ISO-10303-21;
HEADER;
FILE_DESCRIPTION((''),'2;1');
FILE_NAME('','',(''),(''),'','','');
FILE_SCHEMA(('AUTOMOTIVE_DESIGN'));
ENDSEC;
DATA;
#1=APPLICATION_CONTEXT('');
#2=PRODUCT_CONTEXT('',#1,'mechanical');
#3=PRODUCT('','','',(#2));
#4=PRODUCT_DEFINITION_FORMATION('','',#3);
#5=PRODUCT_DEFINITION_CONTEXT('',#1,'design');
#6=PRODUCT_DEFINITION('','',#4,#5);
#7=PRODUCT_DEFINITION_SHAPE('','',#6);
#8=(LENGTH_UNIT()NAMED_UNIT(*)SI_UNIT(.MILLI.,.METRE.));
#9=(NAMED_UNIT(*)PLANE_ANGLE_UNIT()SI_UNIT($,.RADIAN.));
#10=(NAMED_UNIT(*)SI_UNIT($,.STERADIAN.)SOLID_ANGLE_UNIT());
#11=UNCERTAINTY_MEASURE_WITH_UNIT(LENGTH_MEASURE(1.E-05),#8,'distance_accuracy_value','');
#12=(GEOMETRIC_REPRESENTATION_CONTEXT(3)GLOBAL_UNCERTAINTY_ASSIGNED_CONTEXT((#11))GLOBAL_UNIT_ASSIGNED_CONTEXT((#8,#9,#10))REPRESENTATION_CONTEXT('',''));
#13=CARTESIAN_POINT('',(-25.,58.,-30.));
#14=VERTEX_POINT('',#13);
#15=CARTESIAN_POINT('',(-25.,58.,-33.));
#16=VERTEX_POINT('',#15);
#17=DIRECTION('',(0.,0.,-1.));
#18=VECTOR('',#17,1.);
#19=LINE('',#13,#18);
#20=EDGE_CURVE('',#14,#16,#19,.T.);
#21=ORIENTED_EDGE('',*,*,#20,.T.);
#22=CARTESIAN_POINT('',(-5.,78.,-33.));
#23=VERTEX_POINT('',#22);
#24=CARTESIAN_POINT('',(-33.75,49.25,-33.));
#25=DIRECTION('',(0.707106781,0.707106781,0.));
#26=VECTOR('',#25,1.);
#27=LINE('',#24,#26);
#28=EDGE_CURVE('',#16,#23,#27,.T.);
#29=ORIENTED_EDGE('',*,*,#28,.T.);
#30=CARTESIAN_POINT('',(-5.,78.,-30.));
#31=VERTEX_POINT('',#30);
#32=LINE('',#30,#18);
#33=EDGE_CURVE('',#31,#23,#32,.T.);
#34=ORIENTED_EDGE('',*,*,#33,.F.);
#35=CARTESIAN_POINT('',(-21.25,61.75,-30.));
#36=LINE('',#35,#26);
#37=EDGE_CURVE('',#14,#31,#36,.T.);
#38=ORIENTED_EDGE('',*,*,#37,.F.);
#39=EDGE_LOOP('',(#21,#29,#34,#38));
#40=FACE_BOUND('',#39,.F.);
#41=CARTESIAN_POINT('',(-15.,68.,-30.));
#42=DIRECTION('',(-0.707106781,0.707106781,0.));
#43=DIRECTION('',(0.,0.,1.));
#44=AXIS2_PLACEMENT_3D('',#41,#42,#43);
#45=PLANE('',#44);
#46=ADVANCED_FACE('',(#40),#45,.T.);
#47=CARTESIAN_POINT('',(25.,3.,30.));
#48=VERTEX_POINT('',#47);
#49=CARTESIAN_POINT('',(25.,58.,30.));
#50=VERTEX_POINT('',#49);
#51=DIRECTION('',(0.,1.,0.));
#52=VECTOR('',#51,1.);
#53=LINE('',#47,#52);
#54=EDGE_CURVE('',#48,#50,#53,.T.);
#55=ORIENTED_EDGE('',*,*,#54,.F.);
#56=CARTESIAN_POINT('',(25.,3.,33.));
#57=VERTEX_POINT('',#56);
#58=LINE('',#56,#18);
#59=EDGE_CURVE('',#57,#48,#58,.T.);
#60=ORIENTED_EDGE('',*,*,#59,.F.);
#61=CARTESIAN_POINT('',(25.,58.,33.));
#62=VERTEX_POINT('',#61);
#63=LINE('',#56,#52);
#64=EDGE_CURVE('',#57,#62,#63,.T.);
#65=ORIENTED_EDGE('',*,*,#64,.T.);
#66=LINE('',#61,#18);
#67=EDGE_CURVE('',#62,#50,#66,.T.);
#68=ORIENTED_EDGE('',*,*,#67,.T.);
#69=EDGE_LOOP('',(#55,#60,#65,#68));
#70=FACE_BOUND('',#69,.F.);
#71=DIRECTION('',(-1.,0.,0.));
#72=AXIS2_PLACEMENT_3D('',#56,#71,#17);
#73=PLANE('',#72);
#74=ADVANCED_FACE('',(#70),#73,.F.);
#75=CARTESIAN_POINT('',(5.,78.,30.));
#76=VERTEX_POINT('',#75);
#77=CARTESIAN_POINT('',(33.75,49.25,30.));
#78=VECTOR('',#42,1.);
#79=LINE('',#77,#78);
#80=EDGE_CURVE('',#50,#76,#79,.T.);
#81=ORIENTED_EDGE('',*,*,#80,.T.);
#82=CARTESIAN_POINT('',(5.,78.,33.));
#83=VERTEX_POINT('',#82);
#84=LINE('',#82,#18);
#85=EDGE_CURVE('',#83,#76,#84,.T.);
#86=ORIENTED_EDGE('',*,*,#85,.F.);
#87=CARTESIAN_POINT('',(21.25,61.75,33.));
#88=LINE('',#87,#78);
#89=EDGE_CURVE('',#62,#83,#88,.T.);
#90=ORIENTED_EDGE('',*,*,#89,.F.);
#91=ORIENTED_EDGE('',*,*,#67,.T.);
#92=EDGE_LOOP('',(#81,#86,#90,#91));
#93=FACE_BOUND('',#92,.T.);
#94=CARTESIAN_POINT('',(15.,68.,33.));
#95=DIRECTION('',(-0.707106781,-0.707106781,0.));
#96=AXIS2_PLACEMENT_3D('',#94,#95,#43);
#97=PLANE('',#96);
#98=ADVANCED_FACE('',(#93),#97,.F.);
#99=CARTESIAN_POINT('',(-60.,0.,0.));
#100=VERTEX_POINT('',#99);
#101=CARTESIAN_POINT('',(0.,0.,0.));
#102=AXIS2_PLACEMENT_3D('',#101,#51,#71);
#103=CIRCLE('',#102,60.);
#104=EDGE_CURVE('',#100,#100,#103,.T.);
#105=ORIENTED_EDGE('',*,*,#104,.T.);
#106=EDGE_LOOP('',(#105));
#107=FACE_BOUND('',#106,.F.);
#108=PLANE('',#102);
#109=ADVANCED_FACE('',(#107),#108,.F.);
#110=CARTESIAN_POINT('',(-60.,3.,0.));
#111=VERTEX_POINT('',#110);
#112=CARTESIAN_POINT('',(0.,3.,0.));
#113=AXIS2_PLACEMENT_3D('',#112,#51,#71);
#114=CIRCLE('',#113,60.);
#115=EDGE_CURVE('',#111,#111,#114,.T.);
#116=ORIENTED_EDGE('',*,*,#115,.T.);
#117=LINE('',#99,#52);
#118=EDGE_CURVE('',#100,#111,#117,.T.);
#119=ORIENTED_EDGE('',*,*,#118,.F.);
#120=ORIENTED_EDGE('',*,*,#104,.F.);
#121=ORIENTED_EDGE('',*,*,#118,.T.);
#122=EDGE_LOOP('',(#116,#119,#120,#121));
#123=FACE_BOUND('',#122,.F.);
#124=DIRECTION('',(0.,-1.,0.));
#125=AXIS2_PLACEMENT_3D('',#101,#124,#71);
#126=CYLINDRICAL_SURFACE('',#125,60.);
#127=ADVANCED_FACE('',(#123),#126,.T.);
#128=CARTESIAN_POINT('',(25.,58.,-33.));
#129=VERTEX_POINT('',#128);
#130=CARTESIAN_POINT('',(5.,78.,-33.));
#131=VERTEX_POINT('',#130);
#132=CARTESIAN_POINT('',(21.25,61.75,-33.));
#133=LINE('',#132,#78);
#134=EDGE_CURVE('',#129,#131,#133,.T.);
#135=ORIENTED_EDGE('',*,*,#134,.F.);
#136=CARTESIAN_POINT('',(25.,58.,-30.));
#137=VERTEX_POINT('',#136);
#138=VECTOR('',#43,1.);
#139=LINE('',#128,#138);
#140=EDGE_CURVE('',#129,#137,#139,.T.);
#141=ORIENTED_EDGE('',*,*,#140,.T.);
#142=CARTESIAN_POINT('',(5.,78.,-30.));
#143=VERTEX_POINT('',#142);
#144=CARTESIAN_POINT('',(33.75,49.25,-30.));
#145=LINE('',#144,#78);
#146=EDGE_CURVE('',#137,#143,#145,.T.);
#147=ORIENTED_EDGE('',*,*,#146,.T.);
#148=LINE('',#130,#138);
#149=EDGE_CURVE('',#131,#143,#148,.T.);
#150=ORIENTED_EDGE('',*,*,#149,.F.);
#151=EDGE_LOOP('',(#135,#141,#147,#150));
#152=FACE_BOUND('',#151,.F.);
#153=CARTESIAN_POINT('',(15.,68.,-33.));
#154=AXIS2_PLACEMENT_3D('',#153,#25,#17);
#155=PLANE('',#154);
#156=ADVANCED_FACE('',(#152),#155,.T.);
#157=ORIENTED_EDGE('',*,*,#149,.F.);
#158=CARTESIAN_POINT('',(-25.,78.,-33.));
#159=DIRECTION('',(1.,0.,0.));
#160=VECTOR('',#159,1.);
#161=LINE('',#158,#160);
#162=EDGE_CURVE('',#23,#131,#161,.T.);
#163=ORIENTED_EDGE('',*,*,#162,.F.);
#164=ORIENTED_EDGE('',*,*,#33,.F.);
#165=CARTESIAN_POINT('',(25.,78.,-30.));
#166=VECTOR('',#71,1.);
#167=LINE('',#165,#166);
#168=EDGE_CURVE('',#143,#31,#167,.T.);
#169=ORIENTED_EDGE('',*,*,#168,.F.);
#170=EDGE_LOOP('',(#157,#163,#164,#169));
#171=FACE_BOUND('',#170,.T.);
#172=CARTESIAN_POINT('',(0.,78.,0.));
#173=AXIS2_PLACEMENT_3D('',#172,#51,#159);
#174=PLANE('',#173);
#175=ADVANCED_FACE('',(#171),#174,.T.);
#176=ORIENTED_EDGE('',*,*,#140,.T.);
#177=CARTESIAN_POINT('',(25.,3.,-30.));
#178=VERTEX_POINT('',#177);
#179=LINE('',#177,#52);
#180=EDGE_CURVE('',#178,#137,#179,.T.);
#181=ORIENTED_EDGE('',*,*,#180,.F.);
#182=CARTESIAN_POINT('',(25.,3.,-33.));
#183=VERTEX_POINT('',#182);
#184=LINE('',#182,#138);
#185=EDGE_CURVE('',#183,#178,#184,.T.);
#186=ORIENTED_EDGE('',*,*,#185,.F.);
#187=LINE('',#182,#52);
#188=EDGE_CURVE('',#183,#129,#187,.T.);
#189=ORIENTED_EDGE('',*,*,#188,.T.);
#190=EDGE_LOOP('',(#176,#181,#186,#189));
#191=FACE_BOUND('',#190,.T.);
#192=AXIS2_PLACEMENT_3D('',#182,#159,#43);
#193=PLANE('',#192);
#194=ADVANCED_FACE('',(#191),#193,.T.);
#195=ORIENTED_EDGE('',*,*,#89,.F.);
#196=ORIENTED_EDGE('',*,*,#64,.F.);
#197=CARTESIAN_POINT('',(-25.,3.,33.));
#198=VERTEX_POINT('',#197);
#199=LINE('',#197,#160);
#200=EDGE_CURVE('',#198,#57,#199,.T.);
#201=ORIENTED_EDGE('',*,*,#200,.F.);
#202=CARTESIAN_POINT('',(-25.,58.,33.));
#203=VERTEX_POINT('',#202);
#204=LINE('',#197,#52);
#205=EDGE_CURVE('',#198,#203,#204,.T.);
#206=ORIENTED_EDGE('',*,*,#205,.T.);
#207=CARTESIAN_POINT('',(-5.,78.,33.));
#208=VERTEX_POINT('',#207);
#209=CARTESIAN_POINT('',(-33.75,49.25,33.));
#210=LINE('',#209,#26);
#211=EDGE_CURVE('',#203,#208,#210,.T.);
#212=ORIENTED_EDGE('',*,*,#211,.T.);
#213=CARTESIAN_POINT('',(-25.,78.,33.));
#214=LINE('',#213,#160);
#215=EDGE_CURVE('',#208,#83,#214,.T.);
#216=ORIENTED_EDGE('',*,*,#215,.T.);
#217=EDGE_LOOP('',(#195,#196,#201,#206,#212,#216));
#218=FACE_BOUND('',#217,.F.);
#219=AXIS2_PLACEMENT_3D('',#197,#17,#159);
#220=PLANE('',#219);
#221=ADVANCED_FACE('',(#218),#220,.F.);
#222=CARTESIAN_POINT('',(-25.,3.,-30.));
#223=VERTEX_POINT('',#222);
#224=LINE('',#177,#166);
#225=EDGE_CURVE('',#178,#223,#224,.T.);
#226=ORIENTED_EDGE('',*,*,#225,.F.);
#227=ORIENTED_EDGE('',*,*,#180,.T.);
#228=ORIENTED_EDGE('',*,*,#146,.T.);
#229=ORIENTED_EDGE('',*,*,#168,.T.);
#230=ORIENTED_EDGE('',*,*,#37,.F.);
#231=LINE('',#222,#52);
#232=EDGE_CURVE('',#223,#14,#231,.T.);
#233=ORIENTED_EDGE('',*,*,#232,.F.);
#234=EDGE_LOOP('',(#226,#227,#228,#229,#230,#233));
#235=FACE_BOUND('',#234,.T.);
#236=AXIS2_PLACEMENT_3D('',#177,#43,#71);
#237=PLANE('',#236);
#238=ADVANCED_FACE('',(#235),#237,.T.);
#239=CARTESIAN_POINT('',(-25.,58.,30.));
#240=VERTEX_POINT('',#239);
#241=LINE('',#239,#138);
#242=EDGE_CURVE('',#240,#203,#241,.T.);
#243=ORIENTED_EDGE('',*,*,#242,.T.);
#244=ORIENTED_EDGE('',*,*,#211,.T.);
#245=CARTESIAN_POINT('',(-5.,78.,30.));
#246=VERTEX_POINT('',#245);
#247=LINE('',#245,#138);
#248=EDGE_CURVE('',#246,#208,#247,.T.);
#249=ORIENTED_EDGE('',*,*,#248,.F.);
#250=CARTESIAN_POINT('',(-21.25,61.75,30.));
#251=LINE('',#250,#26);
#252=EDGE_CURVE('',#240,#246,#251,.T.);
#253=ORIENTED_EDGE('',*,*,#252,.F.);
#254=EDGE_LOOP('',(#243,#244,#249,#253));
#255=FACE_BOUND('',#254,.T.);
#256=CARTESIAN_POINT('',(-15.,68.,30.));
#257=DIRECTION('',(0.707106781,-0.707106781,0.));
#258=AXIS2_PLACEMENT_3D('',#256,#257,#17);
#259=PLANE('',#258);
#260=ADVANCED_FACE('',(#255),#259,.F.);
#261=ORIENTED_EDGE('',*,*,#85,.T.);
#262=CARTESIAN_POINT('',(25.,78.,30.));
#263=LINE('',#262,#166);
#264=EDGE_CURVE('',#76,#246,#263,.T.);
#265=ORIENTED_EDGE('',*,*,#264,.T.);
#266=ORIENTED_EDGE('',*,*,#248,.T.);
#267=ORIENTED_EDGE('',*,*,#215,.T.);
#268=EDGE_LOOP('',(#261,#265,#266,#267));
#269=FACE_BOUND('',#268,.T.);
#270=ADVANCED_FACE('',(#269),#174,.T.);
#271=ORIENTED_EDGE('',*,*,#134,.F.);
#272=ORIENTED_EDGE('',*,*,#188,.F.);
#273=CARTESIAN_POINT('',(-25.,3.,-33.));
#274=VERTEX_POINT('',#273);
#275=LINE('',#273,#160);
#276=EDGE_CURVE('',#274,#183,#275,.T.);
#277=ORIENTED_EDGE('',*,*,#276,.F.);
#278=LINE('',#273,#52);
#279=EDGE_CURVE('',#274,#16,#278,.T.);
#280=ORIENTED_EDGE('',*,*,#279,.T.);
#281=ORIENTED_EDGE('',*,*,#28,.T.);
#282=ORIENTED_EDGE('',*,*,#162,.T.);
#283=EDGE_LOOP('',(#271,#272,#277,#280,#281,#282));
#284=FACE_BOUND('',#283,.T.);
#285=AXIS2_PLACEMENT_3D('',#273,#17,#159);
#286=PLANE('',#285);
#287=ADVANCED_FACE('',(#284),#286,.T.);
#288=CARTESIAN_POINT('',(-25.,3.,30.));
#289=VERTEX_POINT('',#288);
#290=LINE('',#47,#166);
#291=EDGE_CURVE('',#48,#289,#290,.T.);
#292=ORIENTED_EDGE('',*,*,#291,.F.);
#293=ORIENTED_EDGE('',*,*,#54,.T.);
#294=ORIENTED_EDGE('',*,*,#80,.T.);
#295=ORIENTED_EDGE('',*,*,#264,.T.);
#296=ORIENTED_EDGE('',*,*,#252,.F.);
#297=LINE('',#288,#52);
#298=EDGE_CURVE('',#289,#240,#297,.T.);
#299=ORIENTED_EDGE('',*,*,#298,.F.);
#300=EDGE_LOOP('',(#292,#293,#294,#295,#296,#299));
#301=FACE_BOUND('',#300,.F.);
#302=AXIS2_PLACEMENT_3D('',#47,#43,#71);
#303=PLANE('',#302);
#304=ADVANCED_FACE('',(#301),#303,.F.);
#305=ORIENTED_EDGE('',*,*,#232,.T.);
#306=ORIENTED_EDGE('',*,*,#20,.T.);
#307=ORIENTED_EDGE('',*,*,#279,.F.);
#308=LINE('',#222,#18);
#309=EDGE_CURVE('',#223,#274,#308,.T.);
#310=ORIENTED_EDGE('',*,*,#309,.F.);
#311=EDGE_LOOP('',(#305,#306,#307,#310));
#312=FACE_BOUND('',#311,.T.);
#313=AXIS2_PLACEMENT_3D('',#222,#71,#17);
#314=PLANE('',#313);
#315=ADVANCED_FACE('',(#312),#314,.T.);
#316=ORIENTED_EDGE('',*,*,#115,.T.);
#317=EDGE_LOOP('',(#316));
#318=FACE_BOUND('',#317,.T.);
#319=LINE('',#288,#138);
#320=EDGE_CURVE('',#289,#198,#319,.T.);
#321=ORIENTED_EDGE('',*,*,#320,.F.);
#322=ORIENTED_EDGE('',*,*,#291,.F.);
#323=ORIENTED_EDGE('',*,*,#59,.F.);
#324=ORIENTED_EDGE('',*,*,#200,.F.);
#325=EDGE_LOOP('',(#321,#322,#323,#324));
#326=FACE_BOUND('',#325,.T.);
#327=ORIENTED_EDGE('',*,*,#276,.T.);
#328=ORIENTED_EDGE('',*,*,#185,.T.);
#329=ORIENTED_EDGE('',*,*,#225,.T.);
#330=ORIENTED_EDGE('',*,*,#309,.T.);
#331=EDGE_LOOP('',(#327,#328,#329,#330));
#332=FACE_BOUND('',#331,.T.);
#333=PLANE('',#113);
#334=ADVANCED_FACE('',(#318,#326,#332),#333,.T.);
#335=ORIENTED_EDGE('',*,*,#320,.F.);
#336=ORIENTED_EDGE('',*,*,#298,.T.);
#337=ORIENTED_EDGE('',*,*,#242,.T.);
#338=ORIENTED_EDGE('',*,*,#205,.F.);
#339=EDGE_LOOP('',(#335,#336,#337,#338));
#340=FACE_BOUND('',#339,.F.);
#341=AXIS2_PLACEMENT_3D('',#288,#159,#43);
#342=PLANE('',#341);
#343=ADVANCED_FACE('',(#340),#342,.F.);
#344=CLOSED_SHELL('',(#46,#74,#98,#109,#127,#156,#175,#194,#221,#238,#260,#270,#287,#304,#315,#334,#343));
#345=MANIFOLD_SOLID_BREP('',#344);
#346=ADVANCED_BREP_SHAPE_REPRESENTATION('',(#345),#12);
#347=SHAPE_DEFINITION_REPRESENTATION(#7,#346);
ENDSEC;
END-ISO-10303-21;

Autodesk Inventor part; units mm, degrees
ref_plane "YZ Plane" through (0, 0, 0) normal (1, 0, 0) x (0, 1, 0)
ref_plane "XZ Plane" through (0, 0, 0) normal (0, 1, 0) x (-1, 0, 0)
ref_plane "XY Plane" through (0, 0, 0) normal (0, 0, 1) x (1, 0, 0)
sketch "Esquisse1" plane through (0, 0, 0) normal (0, 1, 0) x (-1, 0, 0)
  circle A0 centre (0, 0) radius 60
  dimension "d0" = 120
extrude "Extrusion1" add sketch "Esquisse1" along normal blind 3
sketch "Esquisse2" plane through (0, 3, 0) normal (0, 1, 0) x (1, 0, 0)
  line L0 (-25, -33) -> (25, -33)
  line L1 (25, -33) -> (25, -30)
  line L2 (25, -30) -> (-25, -30)
  line L3 (-25, -30) -> (-25, -33)
  line L4 (-25, 33) -> (25, 33)
  line L5 (25, 33) -> (25, 30)
  line L6 (25, 30) -> (-25, 30)
  line L7 (-25, 30) -> (-25, 33)
  point P0 (0, 0)
  dimension "d3" = 50
  dimension "d4" = 50
  dimension "d5" = 30
  dimension "d7" = 30
  dimension "d8" = 3
  dimension "d9" = 3
  dimension "d10" = 25
extrude "Extrusion2" add sketch "Esquisse2" along normal blind 75
chamfer "Chanfrein1" distance 20 angle 45 4 edges at (25, 78, 31.5) (25, 78, -31.5) (-25, 78, -31.5) (-25, 78, 31.5)
properties part number "Bras principal"
